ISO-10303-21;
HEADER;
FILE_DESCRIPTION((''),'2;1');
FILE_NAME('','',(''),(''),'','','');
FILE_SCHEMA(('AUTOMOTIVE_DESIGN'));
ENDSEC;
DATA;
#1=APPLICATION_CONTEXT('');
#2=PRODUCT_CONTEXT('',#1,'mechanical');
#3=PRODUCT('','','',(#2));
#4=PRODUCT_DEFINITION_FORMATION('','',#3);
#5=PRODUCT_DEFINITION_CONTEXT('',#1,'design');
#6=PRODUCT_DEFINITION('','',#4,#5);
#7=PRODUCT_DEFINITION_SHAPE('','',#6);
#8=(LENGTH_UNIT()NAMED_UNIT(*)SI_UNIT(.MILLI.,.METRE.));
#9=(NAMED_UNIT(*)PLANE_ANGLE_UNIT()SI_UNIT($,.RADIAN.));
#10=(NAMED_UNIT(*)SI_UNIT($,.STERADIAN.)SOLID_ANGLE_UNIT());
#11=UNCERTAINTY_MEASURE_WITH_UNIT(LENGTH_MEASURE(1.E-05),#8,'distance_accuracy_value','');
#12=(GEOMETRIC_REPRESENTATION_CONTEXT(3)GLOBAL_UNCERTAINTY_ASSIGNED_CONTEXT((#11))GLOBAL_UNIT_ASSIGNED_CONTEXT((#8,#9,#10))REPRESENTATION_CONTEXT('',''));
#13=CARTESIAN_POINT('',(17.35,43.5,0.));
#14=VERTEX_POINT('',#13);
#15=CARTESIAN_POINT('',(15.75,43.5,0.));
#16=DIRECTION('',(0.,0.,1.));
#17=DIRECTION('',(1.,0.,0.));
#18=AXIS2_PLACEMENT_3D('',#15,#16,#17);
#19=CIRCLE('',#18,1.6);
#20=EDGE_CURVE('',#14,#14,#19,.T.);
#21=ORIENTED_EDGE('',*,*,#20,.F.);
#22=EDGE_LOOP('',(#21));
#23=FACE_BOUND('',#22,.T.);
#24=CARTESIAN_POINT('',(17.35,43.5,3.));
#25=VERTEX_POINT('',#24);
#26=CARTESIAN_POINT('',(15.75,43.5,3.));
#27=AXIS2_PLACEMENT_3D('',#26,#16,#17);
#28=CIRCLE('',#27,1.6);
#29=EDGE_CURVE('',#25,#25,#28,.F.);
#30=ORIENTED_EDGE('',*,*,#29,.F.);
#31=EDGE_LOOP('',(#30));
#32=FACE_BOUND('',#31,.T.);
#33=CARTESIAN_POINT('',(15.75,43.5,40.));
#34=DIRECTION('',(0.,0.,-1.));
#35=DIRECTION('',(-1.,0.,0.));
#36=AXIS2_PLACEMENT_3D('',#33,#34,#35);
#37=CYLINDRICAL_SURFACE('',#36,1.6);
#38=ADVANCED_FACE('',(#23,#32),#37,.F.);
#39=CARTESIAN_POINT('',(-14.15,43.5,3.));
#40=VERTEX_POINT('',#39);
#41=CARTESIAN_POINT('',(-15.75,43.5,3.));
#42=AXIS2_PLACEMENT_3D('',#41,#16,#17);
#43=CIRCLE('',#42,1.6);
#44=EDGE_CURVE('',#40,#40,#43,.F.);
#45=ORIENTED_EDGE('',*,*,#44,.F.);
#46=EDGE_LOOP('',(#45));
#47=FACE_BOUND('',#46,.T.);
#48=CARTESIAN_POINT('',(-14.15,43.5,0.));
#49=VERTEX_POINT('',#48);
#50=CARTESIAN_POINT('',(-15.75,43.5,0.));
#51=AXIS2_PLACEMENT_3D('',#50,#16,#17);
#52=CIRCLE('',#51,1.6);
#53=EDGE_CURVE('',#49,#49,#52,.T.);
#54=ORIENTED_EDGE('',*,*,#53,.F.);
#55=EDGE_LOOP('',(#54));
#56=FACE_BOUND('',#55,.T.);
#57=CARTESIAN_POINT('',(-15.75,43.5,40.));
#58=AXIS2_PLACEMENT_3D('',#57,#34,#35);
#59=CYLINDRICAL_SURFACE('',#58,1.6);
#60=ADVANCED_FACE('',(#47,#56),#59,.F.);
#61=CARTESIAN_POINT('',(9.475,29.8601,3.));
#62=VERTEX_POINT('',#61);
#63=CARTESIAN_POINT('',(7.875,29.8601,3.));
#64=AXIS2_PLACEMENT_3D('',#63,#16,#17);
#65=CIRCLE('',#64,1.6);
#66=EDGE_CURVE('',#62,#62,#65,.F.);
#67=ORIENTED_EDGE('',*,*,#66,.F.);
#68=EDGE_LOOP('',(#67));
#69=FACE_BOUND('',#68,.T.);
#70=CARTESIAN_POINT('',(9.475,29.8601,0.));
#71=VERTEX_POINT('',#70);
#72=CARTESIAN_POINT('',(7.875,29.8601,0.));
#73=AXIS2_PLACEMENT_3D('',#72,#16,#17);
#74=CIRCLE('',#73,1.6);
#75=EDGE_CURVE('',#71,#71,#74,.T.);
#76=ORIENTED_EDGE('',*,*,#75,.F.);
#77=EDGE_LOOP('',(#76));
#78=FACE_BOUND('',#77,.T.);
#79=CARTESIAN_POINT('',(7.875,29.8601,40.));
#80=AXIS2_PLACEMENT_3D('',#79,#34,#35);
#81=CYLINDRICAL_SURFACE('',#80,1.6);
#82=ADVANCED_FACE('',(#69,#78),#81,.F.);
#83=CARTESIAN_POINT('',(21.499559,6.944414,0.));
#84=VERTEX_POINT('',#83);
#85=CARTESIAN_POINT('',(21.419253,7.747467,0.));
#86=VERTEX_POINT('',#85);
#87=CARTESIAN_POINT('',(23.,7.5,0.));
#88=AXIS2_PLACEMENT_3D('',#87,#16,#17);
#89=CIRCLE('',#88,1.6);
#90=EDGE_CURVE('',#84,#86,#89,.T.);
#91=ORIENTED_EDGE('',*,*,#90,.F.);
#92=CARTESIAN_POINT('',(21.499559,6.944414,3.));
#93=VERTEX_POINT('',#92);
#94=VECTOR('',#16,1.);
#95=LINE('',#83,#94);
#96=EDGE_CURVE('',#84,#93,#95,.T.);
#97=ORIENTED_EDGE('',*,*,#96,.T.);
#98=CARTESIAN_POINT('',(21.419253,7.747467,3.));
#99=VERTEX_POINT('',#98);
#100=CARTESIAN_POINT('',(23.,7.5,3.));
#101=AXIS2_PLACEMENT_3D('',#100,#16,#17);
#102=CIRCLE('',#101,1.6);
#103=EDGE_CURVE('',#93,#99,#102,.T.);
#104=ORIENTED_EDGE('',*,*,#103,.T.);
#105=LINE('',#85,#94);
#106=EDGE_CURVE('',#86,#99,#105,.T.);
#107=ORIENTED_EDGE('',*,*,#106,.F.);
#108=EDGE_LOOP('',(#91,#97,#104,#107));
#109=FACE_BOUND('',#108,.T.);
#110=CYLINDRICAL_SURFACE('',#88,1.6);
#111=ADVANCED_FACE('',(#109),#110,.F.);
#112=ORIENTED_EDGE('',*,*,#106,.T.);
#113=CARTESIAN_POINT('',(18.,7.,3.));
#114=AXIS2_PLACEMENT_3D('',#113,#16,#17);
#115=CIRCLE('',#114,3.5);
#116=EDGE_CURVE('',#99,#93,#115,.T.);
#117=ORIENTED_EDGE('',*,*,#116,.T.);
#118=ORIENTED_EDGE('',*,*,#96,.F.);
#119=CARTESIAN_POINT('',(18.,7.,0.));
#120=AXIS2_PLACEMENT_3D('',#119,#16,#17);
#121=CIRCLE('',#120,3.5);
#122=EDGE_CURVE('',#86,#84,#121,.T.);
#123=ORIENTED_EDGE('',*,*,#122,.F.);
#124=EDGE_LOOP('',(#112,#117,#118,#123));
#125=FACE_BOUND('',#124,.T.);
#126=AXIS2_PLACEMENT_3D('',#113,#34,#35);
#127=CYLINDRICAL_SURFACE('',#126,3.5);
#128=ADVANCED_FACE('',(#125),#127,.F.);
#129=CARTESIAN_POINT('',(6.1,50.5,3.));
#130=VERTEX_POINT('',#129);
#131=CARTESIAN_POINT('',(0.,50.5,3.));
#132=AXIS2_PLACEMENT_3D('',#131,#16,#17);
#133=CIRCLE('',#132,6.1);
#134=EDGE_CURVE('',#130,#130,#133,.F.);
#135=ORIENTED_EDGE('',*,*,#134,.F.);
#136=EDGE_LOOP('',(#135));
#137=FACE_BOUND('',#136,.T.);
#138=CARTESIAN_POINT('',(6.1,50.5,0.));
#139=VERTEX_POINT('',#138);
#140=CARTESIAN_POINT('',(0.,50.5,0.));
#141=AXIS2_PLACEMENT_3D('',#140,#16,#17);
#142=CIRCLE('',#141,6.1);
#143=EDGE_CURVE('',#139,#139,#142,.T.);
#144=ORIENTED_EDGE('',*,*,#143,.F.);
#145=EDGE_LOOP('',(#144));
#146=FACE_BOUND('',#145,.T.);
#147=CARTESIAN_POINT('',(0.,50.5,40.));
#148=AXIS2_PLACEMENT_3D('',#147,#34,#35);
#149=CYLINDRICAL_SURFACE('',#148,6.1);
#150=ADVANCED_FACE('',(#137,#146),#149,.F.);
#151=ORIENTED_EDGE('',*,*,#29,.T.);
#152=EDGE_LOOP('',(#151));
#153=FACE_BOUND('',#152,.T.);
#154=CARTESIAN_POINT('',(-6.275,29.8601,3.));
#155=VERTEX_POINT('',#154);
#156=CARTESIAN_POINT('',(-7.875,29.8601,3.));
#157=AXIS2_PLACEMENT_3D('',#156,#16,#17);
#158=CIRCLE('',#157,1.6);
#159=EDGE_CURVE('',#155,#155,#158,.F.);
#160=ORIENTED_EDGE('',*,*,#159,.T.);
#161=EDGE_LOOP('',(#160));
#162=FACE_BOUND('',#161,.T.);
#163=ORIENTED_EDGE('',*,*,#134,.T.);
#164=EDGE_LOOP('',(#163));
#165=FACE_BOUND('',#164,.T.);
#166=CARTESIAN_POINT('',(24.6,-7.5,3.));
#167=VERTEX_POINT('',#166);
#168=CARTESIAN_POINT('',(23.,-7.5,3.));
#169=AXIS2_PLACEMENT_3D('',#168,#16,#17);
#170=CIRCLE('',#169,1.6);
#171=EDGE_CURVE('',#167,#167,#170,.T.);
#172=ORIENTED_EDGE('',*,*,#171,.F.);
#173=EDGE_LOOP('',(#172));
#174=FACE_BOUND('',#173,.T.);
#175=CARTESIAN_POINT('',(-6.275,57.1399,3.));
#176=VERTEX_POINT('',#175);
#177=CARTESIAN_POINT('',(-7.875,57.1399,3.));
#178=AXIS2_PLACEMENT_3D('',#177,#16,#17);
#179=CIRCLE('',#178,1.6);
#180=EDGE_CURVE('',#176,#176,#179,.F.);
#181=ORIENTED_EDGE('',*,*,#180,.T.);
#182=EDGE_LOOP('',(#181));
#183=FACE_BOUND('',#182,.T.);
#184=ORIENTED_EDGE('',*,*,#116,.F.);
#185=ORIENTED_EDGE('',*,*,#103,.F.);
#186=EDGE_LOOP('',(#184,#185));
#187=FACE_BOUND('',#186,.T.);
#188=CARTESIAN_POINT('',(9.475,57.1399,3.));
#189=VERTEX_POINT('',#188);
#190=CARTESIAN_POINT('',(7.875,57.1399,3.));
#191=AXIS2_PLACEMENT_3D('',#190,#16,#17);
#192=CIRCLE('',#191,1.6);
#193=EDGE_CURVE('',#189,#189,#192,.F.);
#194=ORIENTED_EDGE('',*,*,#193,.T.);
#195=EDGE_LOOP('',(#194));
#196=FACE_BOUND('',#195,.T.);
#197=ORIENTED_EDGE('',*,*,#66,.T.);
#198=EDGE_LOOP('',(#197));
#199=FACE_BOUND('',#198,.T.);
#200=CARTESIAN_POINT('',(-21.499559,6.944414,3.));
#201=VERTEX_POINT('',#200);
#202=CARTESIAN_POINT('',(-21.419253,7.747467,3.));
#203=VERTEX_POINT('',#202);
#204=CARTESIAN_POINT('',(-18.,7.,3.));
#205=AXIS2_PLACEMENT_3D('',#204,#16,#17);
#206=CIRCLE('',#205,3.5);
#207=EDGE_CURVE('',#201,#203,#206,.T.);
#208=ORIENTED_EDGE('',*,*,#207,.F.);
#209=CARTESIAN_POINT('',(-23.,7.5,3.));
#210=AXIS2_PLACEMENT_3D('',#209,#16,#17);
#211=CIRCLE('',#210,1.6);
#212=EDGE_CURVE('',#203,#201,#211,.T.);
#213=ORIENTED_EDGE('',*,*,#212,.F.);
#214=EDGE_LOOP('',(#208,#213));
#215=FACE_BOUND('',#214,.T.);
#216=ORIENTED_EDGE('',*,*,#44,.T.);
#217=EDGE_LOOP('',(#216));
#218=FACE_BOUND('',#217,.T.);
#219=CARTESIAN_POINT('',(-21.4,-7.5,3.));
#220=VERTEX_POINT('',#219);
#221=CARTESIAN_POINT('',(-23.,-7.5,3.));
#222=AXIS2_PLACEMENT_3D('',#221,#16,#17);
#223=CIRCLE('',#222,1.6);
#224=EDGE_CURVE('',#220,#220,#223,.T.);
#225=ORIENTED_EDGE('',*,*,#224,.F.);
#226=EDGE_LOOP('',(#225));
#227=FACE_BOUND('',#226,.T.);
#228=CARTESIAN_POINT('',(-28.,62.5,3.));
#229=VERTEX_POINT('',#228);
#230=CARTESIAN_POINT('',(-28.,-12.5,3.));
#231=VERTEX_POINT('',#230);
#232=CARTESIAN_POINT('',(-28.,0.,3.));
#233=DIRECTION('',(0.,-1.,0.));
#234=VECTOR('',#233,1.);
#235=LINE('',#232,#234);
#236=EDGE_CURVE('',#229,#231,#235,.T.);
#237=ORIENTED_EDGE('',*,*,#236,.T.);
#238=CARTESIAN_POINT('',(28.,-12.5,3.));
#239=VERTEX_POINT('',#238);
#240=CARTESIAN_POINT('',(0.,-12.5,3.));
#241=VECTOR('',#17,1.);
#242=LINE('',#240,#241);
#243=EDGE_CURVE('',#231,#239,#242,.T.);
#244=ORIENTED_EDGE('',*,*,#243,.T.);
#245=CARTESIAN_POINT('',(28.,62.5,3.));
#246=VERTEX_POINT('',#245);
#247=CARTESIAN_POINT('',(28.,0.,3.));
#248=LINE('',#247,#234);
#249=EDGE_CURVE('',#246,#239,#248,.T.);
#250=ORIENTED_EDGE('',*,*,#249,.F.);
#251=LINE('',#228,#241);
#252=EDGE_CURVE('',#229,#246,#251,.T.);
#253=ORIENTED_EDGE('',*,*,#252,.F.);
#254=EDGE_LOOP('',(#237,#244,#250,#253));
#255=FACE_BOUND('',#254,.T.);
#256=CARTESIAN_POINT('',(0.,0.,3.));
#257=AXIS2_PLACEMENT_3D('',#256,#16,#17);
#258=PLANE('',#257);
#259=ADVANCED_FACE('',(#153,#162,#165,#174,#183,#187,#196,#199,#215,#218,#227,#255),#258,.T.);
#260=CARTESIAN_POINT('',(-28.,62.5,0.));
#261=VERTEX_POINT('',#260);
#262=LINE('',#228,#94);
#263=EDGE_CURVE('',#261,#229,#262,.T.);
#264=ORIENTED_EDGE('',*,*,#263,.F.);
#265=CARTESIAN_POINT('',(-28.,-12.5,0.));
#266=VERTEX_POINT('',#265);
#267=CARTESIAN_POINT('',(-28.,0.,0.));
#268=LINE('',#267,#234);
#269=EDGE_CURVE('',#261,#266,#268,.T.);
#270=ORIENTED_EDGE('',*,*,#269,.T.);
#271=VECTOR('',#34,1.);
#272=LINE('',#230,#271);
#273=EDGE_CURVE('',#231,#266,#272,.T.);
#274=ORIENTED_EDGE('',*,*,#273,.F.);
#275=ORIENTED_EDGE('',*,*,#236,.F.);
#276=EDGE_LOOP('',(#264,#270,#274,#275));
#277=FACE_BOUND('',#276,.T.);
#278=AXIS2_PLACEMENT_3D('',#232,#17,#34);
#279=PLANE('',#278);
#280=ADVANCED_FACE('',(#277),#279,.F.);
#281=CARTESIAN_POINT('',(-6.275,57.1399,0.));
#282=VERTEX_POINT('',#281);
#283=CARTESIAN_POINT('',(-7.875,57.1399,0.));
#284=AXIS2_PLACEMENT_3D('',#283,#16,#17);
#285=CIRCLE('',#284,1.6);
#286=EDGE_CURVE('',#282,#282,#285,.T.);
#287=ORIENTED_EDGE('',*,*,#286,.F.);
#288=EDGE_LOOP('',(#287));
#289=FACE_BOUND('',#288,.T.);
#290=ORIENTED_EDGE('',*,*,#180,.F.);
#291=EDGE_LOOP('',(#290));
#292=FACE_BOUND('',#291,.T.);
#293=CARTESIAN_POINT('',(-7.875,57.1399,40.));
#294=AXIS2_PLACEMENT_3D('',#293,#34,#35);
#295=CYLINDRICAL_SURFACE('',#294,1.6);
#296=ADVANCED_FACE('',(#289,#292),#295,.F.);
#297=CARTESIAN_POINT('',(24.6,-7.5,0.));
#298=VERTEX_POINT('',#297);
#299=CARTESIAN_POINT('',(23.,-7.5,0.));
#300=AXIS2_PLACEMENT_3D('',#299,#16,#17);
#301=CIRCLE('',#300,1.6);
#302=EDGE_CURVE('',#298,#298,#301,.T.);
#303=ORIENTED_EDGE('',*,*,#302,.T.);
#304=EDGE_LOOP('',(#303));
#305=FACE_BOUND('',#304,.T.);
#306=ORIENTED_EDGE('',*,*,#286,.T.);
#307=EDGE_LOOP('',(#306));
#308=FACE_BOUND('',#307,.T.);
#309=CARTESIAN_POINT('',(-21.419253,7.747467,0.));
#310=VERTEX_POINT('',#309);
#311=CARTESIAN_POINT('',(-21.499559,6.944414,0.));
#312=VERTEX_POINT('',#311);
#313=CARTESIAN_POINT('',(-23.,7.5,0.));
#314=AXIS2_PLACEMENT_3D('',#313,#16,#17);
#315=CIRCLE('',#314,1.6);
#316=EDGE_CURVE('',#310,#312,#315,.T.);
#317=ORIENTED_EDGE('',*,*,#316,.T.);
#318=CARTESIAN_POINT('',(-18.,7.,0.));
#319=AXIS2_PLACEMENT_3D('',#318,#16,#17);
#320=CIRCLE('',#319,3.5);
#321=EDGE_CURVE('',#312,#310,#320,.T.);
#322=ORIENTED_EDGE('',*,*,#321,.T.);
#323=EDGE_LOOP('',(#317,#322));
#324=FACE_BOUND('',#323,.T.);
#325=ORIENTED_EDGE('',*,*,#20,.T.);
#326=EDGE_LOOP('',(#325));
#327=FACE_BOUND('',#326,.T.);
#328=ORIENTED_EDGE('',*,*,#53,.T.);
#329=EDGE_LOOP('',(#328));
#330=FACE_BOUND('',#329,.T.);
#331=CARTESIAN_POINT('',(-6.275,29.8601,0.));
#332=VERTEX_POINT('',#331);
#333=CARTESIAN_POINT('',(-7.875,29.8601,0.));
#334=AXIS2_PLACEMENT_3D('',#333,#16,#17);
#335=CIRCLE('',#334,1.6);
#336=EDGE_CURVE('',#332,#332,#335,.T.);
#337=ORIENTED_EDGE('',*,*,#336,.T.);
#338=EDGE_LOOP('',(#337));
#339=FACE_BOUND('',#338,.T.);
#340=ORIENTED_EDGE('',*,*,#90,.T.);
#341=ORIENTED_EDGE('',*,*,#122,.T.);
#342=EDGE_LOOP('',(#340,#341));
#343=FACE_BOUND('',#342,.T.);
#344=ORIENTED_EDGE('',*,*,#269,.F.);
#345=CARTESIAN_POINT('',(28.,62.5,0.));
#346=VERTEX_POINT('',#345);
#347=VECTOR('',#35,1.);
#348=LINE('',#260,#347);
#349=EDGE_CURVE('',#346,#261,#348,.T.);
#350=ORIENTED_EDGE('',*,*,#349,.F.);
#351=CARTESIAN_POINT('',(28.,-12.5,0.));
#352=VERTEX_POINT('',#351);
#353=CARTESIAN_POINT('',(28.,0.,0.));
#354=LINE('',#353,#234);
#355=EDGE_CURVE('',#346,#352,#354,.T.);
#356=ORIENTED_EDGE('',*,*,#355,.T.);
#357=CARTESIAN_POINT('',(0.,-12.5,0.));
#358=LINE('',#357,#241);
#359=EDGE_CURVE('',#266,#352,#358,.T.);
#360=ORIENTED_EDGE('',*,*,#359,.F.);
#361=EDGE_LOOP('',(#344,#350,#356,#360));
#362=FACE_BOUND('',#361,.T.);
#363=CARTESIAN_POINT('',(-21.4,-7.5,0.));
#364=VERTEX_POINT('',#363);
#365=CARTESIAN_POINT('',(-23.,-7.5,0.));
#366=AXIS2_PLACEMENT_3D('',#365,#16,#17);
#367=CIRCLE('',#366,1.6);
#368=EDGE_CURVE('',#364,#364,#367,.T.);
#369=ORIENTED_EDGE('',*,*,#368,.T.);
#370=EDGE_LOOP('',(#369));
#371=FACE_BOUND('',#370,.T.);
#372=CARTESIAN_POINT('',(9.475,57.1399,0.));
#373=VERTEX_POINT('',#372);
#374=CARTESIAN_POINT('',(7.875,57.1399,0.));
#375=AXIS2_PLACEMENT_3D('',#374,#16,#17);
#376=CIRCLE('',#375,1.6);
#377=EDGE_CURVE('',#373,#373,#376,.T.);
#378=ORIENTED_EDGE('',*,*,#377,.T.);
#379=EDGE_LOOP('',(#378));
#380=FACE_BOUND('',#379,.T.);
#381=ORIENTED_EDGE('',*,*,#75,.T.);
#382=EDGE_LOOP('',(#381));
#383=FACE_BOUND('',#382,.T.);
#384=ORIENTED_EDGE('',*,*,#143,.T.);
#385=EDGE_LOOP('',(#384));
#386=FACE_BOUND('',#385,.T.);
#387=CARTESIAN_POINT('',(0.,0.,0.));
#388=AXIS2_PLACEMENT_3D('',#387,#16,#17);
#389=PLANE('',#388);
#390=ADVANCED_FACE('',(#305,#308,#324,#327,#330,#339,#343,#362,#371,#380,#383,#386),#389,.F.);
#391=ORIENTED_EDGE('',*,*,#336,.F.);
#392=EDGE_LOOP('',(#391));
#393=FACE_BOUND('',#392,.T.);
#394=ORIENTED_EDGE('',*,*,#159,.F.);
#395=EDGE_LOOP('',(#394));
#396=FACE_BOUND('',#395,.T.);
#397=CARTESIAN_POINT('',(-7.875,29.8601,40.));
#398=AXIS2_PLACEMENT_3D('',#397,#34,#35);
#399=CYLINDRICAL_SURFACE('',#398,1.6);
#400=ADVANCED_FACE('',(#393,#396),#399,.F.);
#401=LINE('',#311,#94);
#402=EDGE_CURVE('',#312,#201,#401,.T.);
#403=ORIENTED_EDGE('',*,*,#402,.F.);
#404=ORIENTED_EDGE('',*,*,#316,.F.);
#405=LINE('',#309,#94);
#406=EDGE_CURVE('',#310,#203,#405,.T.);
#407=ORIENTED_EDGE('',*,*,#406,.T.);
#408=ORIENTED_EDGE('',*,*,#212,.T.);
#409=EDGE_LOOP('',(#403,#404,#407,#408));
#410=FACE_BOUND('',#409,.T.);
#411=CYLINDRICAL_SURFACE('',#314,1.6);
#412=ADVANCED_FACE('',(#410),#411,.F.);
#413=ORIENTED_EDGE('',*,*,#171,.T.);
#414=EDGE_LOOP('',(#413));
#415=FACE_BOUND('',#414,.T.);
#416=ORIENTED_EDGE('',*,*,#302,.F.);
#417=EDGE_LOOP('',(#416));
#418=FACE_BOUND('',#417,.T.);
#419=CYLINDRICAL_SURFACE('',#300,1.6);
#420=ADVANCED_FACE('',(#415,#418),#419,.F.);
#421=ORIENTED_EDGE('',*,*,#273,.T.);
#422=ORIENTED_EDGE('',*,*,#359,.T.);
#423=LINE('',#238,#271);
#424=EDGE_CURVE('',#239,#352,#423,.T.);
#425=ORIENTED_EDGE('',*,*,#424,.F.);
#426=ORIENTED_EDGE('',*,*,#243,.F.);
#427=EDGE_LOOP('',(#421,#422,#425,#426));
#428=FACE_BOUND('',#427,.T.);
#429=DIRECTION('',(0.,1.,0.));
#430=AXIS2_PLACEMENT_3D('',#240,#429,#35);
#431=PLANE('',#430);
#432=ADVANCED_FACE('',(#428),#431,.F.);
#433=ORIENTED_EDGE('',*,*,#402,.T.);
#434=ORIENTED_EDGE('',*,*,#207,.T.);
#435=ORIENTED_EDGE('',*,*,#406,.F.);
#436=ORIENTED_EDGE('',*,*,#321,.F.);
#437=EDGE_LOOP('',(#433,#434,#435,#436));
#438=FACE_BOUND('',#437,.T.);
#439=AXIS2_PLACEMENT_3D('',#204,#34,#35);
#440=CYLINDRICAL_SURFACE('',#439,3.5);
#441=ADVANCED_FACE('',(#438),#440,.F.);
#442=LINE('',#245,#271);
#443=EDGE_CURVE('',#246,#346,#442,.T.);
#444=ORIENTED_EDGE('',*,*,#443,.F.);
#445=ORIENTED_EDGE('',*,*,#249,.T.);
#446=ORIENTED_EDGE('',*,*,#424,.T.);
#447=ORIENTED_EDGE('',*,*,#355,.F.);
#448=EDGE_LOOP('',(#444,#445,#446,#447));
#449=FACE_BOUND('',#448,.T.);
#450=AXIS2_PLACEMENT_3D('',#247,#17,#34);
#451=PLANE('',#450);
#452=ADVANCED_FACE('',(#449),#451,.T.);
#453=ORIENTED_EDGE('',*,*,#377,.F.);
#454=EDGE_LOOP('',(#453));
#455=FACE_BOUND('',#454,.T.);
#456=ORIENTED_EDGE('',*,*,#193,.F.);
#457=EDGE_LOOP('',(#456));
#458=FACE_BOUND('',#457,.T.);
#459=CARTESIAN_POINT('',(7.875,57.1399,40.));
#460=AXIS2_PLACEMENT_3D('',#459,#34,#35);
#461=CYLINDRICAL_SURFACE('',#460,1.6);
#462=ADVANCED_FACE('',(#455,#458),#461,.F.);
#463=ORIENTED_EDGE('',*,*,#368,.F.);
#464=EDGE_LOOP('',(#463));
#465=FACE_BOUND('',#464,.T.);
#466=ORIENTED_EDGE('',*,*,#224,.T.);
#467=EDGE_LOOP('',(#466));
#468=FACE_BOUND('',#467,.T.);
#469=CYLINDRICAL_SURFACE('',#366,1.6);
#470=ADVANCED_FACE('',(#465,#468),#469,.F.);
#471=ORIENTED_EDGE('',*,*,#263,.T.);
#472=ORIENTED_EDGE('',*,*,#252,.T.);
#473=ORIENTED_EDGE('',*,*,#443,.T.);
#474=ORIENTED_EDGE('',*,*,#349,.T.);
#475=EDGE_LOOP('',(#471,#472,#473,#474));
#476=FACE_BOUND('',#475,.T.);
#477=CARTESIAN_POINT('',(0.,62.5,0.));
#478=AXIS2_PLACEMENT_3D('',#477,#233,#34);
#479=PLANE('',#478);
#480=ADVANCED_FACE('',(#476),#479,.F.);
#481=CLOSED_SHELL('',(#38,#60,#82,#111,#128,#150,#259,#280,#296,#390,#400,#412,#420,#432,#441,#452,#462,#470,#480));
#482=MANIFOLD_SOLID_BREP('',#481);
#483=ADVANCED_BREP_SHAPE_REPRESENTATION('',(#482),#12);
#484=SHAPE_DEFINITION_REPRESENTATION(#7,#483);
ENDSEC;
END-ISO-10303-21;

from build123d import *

# Parameters (mm, degrees)
SKETCH_1_W          = 56
SKETCH_1_H          = 25
SKETCH_1_R          = 3.5
EXTRUDE_1_DEPTH     = 3
CUT_EXTRUDE_1_DEPTH = 4
SKETCH_3_W          = 56
SKETCH_3_H          = 3
EXTRUDE_2_DEPTH     = 50
SKETCH_4_R          = 1.6
SKETCH_4_R_2        = 6.1
CUT_EXTRUDE_4_DEPTH = 40


with BuildPart() as part:
    # ｽｹｯﾁ1 → ﾎﾞｽ - 押し出し1 (new body)
    with BuildSketch(Plane.XY):
        Rectangle(SKETCH_1_W, SKETCH_1_H)
        with Locations((-18, 7)):
            Circle(SKETCH_1_R, mode=Mode.SUBTRACT)
        with Locations((18, 7)):
            Circle(SKETCH_1_R, mode=Mode.SUBTRACT)
    extrude(amount=EXTRUDE_1_DEPTH)

    # ｽｹｯﾁ2 → ｶｯﾄ - 押し出し1 (cut, through all)
    with BuildSketch(Plane.XY.offset(3)):
        with BuildLine():
            ThreePointArc((-21.4, 7.5), (-21.86862915, 8.63137085), (-23, 9.1))
            Line((-23, 9.1), (-23, 7.5))
            Line((-23, 7.5), (-24.6, 7.5))
            ThreePointArc((-24.6, 7.5), (-23, 5.9), (-21.4, 7.5))
        make_face()
        with BuildLine():
            Line((-23, 7.5), (-23, 9.1))
            ThreePointArc((-23, 9.1), (-24.13137085, 8.63137085), (-24.6, 7.5))
            Line((-24.6, 7.5), (-23, 7.5))
        make_face()
        with BuildLine():
            ThreePointArc((-24.6, -7.5), (-24.13137085, -8.63137085), (-23, -9.1))
            Line((-23, -9.1), (-23, -7.5))
            Line((-23, -7.5), (-24.6, -7.5))
        make_face()
        with BuildLine():
            Line((-23, -7.5), (-23, -9.1))
            ThreePointArc((-23, -9.1), (-21.86862915, -8.63137085), (-21.4, -7.5))
            ThreePointArc((-21.4, -7.5), (-23, -5.9), (-24.6, -7.5))
            Line((-24.6, -7.5), (-23, -7.5))
        make_face()
        with BuildLine():
            ThreePointArc((24.6, 7.5), (24.13137085, 8.63137085), (23, 9.1))
            Line((23, 9.1), (23, 7.5))
            Line((23, 7.5), (24.6, 7.5))
        make_face()
        with BuildLine():
            Line((23, 7.5), (23, 9.1))
            ThreePointArc((23, 9.1), (21.86862915, 6.36862915), (24.6, 7.5))
            Line((24.6, 7.5), (23, 7.5))
        make_face()
        with BuildLine():
            ThreePointArc((24.6, -7.5), (21.86862915, -6.36862915), (23, -9.1))
            Line((23, -9.1), (23, -7.5))
            Line((23, -7.5), (24.6, -7.5))
        make_face()
        with BuildLine():
            Line((23, -7.5), (23, -9.1))
            ThreePointArc((23, -9.1), (24.13137085, -8.63137085), (24.6, -7.5))
            Line((24.6, -7.5), (23, -7.5))
        make_face()
    extrude(amount=-CUT_EXTRUDE_1_DEPTH, mode=Mode.SUBTRACT)

    # ｽｹｯﾁ3 → ﾎﾞｽ - 押し出し2 (add)
    with BuildSketch(Plane(origin=(0, 12.5, 0), x_dir=(1, 0, 0), z_dir=(0, 1, 0))):
        with Locations((0, -1.5)):
            Rectangle(SKETCH_3_W, SKETCH_3_H)
    extrude(amount=EXTRUDE_2_DEPTH)

    # ｽｹｯﾁ4 → ｶｯﾄ - 押し出し4 (cut)
    with BuildSketch(Plane.XY):
        with Locations((-7.875, 57.13990011)):
            Circle(SKETCH_4_R)
        with Locations((7.875, 57.13990011)):
            Circle(SKETCH_4_R)
        with Locations((15.75, 43.5)):
            Circle(SKETCH_4_R)
        with Locations((7.875, 29.86009989)):
            Circle(SKETCH_4_R)
        with Locations((-7.875, 29.86009989)):
            Circle(SKETCH_4_R)
        with Locations((-15.75, 43.5)):
            Circle(SKETCH_4_R)
        with Locations((0, 50.5)):
            Circle(SKETCH_4_R_2)
    extrude(amount=CUT_EXTRUDE_4_DEPTH, mode=Mode.SUBTRACT)


solid = part.part
